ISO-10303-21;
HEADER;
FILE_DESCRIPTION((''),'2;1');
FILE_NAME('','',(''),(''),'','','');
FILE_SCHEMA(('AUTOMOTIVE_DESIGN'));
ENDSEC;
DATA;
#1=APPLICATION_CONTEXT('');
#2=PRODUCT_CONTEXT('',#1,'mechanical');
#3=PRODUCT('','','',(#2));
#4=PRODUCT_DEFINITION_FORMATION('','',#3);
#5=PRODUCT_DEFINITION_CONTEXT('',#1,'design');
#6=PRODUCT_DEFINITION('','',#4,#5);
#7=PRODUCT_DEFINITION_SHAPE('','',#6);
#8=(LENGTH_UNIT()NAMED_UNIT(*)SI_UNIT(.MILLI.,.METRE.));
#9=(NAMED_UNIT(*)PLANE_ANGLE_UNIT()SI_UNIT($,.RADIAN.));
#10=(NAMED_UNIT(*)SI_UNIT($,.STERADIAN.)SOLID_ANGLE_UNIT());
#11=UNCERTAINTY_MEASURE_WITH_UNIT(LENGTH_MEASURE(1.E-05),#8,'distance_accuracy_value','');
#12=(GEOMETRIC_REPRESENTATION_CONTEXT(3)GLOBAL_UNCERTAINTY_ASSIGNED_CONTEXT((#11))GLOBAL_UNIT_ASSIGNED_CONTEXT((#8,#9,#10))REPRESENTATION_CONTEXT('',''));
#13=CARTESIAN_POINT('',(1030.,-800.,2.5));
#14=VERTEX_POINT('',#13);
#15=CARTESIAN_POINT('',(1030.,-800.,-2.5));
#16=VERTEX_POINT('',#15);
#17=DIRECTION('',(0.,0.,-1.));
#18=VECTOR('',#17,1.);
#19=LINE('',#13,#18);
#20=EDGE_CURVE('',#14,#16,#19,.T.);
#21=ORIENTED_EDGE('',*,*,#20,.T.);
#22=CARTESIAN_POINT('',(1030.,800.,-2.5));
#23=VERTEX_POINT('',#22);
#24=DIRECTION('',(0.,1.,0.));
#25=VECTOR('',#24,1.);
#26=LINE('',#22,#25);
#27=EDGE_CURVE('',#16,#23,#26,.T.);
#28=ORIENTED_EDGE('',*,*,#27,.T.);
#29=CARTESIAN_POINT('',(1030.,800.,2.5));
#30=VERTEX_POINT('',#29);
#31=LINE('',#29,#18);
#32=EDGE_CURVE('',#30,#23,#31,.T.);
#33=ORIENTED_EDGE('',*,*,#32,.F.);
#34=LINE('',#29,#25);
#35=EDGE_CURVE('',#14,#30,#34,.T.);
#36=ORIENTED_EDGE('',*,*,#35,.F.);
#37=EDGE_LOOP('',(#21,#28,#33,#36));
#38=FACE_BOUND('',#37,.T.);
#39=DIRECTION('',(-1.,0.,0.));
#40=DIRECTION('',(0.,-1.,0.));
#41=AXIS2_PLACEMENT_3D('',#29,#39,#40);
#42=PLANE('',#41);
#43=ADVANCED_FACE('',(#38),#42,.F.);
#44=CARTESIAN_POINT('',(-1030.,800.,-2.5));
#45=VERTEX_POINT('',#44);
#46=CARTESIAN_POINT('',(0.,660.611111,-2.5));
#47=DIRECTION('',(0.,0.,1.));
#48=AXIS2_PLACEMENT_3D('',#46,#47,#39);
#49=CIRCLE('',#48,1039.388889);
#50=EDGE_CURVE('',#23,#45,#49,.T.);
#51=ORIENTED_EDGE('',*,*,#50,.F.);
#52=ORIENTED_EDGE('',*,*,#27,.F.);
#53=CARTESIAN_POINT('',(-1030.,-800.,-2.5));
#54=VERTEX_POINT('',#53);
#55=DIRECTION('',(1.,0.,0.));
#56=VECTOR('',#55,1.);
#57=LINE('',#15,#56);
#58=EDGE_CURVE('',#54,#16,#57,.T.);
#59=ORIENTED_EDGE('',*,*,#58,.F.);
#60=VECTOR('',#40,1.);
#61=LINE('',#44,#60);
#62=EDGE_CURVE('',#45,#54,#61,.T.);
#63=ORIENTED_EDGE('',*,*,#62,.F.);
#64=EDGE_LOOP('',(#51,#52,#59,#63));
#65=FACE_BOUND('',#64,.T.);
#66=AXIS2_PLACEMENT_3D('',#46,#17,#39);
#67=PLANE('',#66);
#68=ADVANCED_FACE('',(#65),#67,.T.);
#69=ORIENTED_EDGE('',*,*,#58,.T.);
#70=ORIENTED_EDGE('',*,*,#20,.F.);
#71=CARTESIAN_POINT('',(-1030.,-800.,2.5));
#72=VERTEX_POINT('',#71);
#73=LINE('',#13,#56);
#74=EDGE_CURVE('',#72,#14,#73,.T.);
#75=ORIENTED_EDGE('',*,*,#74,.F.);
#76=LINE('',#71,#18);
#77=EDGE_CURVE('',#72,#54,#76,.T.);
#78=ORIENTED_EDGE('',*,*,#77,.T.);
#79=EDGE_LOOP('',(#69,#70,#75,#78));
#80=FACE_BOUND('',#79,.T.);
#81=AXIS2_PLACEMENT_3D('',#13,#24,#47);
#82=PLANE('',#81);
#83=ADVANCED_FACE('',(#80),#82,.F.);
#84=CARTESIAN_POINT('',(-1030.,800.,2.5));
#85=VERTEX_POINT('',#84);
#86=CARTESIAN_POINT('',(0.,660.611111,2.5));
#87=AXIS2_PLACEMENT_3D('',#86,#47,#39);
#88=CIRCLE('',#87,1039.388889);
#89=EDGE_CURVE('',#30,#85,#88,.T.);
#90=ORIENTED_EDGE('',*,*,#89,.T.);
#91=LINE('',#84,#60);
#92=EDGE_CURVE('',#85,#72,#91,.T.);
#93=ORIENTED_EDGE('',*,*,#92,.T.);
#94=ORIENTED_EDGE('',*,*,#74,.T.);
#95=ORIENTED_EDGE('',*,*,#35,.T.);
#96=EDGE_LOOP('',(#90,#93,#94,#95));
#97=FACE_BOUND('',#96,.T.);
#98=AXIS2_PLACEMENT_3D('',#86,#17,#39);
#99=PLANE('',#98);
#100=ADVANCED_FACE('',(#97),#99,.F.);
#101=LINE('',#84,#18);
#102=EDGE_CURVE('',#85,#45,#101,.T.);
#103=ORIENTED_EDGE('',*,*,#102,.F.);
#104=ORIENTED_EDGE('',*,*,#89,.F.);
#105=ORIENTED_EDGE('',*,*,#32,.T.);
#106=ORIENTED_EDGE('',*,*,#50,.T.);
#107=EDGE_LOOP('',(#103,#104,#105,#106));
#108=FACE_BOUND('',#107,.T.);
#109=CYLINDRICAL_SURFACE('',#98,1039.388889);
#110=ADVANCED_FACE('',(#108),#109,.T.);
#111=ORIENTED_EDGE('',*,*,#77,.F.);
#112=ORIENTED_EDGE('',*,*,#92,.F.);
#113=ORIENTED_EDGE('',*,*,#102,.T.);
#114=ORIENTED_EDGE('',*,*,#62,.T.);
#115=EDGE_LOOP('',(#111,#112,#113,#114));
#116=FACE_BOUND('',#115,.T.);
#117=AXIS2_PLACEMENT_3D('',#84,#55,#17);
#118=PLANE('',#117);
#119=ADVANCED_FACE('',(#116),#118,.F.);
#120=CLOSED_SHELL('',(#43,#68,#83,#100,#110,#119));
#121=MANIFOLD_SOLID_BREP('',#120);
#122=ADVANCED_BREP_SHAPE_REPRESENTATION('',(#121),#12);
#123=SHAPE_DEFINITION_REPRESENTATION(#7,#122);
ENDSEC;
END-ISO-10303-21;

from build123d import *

# Parameters (mm, degrees)
BOSS_EXTRUDE1_DEPTH = 2.5


with BuildPart() as part:
    # Sketch1 → Boss-Extrude1 (new body, symmetric)
    with BuildSketch(Plane.XY):
        with BuildLine():
            Line((1030, 800), (1030, -800))
            Line((1030, -800), (-1030, -800))
            Line((-1030, -800), (-1030, 800))
            ThreePointArc((-1030, 800), (0, 1700), (1030, 800))
        make_face()
    extrude(amount=BOSS_EXTRUDE1_DEPTH, both=True)


solid = part.part
